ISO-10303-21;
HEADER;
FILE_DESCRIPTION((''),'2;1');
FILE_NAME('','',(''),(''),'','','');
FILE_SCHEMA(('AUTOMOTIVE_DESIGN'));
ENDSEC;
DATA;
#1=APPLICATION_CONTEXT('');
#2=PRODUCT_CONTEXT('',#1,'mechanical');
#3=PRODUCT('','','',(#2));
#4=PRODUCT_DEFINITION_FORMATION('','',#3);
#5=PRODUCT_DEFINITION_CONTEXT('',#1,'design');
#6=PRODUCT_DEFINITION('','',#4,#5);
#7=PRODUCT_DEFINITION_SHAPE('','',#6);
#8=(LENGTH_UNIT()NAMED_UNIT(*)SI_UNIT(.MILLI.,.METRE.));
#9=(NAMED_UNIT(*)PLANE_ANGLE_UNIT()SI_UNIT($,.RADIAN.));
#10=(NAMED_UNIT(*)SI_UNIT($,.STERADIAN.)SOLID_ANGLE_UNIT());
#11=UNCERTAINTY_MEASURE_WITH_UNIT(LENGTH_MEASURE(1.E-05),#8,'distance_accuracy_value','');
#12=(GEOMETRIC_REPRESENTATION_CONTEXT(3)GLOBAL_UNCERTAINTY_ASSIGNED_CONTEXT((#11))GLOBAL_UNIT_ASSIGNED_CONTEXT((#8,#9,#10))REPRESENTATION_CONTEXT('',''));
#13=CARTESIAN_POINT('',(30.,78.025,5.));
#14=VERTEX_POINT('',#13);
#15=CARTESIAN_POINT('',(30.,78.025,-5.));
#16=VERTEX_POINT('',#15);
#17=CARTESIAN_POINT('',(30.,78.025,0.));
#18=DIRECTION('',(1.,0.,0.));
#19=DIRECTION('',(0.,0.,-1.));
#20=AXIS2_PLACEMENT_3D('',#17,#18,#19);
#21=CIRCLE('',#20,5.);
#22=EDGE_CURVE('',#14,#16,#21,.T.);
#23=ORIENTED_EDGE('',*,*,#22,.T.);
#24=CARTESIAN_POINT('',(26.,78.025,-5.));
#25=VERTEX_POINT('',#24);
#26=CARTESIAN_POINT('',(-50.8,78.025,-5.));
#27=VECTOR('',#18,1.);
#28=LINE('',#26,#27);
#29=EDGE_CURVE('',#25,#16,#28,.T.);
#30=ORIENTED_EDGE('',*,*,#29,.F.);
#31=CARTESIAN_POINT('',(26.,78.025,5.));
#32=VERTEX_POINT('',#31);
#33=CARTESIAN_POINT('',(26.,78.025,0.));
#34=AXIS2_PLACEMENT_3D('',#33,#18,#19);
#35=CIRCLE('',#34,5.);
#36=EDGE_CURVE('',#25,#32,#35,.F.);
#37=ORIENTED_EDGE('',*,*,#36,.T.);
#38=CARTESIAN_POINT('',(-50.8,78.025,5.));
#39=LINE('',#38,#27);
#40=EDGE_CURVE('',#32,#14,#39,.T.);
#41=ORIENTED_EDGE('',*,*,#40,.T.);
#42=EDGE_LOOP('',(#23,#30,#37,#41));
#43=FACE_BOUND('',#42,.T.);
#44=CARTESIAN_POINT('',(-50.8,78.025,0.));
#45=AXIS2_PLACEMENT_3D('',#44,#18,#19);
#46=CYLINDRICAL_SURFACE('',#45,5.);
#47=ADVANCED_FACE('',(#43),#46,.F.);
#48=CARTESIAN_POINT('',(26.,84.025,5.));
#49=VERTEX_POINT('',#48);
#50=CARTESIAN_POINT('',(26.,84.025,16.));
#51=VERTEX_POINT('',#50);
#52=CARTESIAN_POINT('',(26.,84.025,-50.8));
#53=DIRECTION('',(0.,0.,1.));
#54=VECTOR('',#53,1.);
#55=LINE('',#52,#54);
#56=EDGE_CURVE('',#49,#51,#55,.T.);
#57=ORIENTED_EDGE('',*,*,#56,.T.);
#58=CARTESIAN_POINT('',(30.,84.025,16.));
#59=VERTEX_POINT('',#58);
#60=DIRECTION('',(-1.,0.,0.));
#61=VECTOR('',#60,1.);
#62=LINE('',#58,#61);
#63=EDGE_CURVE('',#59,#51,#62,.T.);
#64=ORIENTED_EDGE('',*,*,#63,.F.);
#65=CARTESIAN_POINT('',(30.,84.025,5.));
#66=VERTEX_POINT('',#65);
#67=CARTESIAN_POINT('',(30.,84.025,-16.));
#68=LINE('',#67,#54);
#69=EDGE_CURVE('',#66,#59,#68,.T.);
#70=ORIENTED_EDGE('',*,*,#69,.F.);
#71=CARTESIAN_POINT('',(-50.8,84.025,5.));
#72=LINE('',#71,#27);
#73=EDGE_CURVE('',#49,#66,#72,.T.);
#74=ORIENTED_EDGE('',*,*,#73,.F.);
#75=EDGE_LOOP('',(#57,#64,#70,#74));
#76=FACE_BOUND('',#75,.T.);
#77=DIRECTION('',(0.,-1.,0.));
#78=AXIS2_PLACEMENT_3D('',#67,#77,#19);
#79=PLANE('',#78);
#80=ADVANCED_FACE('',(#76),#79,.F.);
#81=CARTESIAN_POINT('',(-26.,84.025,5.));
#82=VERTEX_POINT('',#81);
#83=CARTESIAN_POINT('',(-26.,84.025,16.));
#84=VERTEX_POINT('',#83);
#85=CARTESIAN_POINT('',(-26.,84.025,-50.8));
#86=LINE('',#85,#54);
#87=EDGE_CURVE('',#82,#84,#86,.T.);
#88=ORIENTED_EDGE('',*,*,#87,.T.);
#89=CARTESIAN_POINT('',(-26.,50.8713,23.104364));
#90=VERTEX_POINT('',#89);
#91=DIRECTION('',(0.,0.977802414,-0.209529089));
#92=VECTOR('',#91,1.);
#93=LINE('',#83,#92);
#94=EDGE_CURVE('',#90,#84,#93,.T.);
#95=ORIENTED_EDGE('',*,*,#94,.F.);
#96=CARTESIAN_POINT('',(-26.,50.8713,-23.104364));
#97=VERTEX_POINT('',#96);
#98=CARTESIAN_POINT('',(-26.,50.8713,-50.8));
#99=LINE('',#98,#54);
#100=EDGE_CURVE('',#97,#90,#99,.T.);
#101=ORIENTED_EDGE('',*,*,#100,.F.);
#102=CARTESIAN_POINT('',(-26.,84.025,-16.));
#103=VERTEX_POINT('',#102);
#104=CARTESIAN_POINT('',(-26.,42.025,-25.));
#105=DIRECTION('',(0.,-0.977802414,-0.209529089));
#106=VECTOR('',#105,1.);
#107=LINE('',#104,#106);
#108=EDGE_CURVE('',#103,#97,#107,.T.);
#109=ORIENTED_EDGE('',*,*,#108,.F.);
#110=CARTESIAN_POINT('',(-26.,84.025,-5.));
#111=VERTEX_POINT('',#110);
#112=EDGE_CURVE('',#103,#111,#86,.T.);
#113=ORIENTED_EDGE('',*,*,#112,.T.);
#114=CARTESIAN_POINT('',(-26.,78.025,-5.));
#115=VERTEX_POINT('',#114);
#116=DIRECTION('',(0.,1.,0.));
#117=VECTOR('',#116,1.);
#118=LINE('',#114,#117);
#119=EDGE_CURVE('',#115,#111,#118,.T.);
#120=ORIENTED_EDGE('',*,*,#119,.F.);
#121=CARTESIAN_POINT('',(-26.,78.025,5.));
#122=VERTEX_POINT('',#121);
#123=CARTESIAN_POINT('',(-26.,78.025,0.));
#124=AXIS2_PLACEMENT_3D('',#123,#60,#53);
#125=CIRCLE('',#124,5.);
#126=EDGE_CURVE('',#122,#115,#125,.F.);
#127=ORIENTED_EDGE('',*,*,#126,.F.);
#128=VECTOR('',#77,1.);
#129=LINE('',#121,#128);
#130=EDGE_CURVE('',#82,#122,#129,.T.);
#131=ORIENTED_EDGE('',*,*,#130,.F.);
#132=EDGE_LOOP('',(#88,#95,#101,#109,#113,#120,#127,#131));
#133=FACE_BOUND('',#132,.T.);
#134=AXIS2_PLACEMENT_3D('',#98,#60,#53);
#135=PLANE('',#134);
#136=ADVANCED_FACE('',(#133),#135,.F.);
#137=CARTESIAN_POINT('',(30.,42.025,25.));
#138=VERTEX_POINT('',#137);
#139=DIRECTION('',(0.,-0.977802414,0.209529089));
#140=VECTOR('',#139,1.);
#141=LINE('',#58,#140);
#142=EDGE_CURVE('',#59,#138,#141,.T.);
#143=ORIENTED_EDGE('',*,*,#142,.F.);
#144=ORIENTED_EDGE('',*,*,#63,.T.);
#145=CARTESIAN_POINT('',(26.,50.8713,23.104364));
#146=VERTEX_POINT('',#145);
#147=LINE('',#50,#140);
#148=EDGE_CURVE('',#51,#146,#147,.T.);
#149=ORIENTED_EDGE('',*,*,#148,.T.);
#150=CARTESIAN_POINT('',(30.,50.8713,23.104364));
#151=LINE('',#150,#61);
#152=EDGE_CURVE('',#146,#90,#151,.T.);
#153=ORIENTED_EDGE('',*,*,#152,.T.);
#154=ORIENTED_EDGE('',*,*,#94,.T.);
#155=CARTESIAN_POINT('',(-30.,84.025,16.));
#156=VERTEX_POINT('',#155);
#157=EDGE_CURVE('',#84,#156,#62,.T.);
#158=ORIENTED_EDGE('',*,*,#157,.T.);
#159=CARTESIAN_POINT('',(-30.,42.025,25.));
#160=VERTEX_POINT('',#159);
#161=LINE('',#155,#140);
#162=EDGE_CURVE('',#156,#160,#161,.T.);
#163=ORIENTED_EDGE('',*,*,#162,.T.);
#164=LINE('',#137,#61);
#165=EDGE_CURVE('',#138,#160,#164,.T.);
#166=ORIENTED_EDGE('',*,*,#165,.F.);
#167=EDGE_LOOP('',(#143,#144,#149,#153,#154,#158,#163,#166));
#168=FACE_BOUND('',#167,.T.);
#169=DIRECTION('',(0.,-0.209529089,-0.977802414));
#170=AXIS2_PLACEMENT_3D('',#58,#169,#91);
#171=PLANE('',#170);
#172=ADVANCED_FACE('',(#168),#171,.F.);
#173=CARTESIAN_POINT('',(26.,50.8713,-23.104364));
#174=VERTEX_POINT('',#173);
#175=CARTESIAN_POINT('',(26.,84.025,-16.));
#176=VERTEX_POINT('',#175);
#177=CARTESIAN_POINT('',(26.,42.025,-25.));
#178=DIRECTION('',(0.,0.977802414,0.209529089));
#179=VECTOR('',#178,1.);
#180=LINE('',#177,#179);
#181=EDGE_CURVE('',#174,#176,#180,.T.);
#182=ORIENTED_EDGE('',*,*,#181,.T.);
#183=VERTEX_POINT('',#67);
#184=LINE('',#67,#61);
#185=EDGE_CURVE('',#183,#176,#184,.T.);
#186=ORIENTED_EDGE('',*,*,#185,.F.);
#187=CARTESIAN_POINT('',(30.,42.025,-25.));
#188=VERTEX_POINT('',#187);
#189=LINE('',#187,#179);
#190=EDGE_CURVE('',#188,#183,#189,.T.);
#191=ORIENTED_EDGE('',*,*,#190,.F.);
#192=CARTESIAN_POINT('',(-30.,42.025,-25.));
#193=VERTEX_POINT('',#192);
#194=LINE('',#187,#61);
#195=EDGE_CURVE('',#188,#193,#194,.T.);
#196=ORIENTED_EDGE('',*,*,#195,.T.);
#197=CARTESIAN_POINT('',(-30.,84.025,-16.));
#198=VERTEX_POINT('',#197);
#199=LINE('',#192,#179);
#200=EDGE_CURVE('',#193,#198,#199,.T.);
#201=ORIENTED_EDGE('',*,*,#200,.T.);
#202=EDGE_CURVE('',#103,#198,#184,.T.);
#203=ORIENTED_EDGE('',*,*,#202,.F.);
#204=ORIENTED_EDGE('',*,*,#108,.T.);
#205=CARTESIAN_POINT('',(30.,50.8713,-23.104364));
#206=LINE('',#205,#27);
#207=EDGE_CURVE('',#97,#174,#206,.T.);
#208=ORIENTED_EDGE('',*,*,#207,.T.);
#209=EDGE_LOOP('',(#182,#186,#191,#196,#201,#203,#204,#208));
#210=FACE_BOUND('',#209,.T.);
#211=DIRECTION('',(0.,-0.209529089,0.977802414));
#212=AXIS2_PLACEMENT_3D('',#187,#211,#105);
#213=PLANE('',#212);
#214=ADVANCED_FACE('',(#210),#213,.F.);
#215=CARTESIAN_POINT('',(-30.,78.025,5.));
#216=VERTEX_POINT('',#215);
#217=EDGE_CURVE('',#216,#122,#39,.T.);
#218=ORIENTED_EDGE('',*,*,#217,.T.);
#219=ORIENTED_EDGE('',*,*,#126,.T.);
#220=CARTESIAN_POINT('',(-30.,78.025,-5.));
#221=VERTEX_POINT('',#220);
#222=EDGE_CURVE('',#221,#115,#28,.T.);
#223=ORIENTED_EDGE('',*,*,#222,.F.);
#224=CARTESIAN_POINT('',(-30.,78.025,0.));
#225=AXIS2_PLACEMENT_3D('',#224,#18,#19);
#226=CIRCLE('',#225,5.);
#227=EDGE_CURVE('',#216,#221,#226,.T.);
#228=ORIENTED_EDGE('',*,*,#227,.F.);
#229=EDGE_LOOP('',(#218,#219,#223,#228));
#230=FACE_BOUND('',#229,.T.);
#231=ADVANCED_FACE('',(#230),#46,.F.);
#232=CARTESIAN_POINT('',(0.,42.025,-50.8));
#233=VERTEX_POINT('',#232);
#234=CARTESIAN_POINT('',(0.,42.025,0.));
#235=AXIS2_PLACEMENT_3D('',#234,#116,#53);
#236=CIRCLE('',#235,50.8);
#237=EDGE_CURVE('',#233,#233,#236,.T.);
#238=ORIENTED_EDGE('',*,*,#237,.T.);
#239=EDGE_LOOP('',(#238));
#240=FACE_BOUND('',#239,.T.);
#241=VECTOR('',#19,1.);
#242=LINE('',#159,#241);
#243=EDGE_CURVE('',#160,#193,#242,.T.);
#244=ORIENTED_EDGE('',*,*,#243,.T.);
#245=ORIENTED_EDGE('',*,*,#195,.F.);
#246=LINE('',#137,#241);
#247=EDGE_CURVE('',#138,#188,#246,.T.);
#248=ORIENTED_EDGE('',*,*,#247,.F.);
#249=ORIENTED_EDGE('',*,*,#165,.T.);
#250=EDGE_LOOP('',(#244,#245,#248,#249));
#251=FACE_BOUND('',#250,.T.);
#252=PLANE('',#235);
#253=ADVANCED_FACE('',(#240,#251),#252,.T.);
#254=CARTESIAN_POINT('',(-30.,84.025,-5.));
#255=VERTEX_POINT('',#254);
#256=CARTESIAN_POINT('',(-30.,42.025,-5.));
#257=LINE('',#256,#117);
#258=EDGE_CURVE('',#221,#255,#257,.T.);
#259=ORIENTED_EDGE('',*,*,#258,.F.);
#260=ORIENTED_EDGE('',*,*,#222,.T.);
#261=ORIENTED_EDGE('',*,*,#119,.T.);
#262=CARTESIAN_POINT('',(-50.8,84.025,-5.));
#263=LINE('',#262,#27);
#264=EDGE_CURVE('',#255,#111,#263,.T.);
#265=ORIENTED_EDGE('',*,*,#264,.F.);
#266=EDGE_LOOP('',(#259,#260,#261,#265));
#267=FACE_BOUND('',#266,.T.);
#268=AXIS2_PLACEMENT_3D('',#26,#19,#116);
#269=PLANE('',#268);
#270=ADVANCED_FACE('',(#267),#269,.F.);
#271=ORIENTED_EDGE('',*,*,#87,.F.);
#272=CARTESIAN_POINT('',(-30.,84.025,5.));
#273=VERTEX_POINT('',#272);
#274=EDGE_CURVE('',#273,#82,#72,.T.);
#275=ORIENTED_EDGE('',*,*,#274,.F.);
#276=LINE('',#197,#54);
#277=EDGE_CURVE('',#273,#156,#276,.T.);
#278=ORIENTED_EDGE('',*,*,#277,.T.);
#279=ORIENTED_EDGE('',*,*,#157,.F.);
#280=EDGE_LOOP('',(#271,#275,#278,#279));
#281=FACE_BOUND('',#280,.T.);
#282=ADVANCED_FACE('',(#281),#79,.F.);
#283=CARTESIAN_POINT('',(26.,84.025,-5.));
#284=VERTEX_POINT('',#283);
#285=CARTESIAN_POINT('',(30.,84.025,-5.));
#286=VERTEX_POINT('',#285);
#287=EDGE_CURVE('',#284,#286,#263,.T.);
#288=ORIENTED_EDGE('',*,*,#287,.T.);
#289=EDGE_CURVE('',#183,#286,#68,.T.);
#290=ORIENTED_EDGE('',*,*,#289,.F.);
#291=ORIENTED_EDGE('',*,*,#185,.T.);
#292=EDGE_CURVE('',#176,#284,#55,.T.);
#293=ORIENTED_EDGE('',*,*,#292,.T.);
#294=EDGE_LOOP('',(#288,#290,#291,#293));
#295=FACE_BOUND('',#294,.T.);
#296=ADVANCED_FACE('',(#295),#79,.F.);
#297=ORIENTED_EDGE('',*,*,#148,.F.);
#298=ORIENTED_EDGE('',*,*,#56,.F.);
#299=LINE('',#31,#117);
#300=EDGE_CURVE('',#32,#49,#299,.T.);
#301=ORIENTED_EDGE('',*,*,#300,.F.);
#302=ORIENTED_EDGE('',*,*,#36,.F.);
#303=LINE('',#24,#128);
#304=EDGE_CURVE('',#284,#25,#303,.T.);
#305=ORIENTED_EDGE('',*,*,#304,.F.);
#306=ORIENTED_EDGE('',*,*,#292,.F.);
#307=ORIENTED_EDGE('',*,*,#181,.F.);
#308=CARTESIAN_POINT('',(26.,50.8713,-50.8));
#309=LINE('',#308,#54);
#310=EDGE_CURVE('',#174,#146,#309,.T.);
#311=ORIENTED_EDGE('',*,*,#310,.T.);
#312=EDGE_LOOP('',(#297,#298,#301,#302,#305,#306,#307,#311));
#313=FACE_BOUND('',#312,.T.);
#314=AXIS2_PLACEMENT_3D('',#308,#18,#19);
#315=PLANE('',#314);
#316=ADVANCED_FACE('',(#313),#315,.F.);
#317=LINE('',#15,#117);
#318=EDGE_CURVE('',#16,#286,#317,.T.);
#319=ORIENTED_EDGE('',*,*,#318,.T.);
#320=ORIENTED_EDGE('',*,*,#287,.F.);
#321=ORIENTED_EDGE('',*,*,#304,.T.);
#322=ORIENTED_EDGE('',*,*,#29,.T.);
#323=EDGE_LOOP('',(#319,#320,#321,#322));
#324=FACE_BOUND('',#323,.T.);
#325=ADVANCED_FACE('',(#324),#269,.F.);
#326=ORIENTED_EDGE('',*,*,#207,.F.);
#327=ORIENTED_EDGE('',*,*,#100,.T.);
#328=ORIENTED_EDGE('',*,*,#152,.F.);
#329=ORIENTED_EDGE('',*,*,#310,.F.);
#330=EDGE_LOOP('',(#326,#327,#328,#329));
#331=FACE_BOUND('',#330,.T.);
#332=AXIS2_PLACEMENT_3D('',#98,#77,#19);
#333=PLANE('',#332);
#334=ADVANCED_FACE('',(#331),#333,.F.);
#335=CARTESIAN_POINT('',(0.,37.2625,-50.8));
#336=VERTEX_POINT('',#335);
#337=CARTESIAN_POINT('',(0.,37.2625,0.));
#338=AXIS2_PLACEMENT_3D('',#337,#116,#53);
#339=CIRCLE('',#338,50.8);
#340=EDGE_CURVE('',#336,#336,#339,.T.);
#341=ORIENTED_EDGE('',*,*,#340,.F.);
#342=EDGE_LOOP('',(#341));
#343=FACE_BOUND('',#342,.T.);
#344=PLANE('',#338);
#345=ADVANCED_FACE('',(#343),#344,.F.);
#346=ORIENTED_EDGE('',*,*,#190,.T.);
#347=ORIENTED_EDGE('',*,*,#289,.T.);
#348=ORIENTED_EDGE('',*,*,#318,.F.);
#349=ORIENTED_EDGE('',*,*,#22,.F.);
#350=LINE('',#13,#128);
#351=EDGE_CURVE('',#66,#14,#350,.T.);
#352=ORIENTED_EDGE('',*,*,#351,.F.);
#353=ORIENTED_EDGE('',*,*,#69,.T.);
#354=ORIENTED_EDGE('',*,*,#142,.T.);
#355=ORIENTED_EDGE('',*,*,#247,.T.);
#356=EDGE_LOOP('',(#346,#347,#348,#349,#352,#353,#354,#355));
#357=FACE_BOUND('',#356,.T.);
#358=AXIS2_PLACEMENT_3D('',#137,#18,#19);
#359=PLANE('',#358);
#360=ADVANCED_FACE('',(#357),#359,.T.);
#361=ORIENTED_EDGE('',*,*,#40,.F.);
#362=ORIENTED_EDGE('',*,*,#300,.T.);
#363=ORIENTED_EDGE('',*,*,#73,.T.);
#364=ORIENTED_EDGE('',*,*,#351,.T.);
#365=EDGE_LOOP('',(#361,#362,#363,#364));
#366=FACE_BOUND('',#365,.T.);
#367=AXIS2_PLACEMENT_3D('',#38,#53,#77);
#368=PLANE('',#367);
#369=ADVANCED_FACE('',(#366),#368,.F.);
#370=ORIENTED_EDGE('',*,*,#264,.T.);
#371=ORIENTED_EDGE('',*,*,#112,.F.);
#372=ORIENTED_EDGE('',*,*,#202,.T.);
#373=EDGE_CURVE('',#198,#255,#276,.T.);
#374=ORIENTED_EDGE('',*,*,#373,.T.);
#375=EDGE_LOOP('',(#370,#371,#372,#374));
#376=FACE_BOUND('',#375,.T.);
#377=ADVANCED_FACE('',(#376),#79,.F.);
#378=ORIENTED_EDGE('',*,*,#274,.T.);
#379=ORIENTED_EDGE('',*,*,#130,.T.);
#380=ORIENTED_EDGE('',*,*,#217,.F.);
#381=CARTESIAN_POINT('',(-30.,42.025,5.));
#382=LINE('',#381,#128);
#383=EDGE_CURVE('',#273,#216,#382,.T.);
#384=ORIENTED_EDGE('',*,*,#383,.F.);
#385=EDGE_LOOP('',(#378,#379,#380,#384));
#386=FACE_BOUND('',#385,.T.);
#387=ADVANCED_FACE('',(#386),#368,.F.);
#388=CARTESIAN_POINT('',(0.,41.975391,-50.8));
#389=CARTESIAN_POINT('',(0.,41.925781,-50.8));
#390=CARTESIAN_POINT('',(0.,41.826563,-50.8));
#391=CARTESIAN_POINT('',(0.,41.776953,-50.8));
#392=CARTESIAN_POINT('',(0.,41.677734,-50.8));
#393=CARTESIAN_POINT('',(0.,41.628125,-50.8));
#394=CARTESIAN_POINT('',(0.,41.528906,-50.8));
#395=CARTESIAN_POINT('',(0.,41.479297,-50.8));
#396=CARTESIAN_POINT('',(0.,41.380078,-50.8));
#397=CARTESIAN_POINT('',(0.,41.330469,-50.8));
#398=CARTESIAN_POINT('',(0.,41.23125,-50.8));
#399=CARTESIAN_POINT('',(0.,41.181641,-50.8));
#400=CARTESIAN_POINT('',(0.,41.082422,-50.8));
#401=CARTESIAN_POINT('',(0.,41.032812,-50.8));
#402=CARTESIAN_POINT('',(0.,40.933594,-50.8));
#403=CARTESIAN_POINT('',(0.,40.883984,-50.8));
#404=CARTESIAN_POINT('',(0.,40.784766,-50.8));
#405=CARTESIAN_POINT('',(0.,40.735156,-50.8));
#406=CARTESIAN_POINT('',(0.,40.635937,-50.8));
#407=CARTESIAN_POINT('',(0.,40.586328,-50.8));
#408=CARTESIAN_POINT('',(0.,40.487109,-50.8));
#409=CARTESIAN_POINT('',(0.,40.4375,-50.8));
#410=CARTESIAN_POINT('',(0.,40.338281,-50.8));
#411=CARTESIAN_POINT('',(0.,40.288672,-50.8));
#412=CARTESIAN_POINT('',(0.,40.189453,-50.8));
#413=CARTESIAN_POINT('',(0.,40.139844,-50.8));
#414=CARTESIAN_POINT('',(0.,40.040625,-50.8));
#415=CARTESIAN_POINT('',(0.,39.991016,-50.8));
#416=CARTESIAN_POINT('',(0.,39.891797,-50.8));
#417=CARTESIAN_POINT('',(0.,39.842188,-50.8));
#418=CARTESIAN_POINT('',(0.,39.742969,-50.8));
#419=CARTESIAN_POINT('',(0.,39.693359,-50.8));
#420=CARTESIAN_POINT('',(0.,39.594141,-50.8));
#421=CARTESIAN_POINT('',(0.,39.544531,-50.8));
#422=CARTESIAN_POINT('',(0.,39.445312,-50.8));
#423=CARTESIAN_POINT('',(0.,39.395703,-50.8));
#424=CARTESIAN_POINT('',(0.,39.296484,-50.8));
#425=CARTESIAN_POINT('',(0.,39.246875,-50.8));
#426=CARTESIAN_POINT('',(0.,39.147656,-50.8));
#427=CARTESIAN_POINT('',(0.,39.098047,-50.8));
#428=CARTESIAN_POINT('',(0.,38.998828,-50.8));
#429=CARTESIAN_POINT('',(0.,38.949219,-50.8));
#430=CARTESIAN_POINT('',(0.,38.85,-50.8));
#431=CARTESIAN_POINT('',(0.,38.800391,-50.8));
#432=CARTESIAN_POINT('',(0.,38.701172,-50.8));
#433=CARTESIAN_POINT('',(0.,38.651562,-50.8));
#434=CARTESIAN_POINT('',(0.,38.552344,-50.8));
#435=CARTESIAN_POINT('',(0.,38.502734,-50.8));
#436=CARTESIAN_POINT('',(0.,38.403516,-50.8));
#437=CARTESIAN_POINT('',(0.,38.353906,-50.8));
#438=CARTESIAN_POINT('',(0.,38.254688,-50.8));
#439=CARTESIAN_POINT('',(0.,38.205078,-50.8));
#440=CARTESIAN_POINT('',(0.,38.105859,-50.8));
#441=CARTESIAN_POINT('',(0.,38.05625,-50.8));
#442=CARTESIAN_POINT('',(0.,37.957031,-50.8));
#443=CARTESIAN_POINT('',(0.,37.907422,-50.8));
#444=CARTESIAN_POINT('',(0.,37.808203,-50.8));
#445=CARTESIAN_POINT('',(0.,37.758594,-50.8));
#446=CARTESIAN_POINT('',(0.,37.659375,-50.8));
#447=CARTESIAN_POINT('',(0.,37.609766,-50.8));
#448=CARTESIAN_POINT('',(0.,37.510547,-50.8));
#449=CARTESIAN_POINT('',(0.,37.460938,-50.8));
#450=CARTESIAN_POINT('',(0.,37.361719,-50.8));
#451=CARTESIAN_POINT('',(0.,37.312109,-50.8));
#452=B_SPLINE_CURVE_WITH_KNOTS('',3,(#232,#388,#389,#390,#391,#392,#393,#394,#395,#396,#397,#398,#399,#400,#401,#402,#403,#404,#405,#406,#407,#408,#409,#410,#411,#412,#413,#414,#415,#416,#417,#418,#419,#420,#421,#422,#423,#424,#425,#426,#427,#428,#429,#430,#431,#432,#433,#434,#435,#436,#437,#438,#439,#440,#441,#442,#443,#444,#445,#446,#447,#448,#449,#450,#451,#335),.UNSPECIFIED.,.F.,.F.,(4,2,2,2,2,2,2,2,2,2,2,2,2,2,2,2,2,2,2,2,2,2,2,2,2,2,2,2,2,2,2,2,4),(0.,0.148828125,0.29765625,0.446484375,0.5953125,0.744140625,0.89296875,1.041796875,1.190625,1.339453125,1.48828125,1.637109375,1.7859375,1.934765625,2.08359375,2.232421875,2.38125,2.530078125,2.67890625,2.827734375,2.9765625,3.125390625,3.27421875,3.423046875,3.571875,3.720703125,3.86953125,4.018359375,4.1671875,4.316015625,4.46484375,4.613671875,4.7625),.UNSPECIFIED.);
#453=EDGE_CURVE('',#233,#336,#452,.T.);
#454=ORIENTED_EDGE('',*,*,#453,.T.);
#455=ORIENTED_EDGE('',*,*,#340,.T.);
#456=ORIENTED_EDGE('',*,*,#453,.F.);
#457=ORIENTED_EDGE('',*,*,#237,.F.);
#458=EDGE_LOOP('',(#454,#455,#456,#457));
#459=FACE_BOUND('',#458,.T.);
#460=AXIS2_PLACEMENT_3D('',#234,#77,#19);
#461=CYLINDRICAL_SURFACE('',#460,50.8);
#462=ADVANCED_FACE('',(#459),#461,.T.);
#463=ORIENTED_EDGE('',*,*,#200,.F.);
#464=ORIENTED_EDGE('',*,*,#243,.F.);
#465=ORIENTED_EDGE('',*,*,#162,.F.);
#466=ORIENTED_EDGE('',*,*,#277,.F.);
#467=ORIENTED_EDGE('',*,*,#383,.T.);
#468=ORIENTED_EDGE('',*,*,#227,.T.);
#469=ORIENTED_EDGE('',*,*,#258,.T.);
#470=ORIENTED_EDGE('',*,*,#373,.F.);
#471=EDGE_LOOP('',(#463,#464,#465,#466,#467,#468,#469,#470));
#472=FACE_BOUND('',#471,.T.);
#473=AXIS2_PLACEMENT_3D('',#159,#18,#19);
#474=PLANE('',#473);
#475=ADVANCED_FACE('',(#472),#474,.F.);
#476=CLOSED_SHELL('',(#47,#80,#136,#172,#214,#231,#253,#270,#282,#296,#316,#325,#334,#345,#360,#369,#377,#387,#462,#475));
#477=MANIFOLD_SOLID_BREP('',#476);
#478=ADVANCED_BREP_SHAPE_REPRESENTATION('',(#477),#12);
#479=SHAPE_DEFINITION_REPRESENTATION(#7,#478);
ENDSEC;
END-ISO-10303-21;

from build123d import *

# Parameters (mm, degrees)
SKETCH2_R               = 50.8
BOSS_EXTRUDE1_DEPTH     = 4.7625
BOSS_EXTRUDE2_DEPTH     = 30
CUT_EXTRUDE2_DEPTH      = 128.159272666
CUT_EXTRUDE1_DEPTH      = 111.550805628
CUT_EXTRUDE1_DEPTH_BACK = 111.550805628
SKETCH5_W               = 52
SKETCH5_H               = 33.1537


with BuildPart() as part:
    # Sketch2 → Boss-Extrude1 (new body)
    with BuildSketch(Plane(origin=(0, 37.2625, 0), x_dir=(-1, 0, 0), z_dir=(0, 1, 0))):
        with Locations(Location((0, 0, 0), (0, 0, 270))):
            Circle(SKETCH2_R)
    extrude(amount=BOSS_EXTRUDE1_DEPTH)

    # Sketch4 → Boss-Extrude2 (add, symmetric)
    with BuildSketch(Plane(origin=(0, 0, 0), x_dir=(0, 0, -1), z_dir=(1, 0, 0))):
        Polygon((-25, 42.025), (25, 42.025), (16, 84.025), (-16, 84.025), align=None)
    extrude(amount=BOSS_EXTRUDE2_DEPTH, both=True)

    # Sketch6 → Cut-Extrude2 (cut, through all)
    with BuildSketch(Plane(origin=(30, 0, 0), x_dir=(0, 0, -1), z_dir=(1, 0, 0))):
        with BuildLine():
            Line((5, 78.025), (5, 84.025))
            Line((5, 84.025), (-5, 84.025))
            Line((-5, 84.025), (-5, 78.025))
            ThreePointArc((-5, 78.025), (0, 73.025), (5, 78.025))
        make_face()
    extrude(amount=-CUT_EXTRUDE2_DEPTH, mode=Mode.SUBTRACT)

    # Sketch5 → Cut-Extrude1 (cut, two sides: drawn at the far end of the back side and taken through both)
    with BuildSketch(Plane.XY.offset(-CUT_EXTRUDE1_DEPTH_BACK)):
        with Locations((0, 67.44815)):
            Rectangle(SKETCH5_W, SKETCH5_H)
    extrude(amount=CUT_EXTRUDE1_DEPTH + CUT_EXTRUDE1_DEPTH_BACK, mode=Mode.SUBTRACT)


solid = part.part
